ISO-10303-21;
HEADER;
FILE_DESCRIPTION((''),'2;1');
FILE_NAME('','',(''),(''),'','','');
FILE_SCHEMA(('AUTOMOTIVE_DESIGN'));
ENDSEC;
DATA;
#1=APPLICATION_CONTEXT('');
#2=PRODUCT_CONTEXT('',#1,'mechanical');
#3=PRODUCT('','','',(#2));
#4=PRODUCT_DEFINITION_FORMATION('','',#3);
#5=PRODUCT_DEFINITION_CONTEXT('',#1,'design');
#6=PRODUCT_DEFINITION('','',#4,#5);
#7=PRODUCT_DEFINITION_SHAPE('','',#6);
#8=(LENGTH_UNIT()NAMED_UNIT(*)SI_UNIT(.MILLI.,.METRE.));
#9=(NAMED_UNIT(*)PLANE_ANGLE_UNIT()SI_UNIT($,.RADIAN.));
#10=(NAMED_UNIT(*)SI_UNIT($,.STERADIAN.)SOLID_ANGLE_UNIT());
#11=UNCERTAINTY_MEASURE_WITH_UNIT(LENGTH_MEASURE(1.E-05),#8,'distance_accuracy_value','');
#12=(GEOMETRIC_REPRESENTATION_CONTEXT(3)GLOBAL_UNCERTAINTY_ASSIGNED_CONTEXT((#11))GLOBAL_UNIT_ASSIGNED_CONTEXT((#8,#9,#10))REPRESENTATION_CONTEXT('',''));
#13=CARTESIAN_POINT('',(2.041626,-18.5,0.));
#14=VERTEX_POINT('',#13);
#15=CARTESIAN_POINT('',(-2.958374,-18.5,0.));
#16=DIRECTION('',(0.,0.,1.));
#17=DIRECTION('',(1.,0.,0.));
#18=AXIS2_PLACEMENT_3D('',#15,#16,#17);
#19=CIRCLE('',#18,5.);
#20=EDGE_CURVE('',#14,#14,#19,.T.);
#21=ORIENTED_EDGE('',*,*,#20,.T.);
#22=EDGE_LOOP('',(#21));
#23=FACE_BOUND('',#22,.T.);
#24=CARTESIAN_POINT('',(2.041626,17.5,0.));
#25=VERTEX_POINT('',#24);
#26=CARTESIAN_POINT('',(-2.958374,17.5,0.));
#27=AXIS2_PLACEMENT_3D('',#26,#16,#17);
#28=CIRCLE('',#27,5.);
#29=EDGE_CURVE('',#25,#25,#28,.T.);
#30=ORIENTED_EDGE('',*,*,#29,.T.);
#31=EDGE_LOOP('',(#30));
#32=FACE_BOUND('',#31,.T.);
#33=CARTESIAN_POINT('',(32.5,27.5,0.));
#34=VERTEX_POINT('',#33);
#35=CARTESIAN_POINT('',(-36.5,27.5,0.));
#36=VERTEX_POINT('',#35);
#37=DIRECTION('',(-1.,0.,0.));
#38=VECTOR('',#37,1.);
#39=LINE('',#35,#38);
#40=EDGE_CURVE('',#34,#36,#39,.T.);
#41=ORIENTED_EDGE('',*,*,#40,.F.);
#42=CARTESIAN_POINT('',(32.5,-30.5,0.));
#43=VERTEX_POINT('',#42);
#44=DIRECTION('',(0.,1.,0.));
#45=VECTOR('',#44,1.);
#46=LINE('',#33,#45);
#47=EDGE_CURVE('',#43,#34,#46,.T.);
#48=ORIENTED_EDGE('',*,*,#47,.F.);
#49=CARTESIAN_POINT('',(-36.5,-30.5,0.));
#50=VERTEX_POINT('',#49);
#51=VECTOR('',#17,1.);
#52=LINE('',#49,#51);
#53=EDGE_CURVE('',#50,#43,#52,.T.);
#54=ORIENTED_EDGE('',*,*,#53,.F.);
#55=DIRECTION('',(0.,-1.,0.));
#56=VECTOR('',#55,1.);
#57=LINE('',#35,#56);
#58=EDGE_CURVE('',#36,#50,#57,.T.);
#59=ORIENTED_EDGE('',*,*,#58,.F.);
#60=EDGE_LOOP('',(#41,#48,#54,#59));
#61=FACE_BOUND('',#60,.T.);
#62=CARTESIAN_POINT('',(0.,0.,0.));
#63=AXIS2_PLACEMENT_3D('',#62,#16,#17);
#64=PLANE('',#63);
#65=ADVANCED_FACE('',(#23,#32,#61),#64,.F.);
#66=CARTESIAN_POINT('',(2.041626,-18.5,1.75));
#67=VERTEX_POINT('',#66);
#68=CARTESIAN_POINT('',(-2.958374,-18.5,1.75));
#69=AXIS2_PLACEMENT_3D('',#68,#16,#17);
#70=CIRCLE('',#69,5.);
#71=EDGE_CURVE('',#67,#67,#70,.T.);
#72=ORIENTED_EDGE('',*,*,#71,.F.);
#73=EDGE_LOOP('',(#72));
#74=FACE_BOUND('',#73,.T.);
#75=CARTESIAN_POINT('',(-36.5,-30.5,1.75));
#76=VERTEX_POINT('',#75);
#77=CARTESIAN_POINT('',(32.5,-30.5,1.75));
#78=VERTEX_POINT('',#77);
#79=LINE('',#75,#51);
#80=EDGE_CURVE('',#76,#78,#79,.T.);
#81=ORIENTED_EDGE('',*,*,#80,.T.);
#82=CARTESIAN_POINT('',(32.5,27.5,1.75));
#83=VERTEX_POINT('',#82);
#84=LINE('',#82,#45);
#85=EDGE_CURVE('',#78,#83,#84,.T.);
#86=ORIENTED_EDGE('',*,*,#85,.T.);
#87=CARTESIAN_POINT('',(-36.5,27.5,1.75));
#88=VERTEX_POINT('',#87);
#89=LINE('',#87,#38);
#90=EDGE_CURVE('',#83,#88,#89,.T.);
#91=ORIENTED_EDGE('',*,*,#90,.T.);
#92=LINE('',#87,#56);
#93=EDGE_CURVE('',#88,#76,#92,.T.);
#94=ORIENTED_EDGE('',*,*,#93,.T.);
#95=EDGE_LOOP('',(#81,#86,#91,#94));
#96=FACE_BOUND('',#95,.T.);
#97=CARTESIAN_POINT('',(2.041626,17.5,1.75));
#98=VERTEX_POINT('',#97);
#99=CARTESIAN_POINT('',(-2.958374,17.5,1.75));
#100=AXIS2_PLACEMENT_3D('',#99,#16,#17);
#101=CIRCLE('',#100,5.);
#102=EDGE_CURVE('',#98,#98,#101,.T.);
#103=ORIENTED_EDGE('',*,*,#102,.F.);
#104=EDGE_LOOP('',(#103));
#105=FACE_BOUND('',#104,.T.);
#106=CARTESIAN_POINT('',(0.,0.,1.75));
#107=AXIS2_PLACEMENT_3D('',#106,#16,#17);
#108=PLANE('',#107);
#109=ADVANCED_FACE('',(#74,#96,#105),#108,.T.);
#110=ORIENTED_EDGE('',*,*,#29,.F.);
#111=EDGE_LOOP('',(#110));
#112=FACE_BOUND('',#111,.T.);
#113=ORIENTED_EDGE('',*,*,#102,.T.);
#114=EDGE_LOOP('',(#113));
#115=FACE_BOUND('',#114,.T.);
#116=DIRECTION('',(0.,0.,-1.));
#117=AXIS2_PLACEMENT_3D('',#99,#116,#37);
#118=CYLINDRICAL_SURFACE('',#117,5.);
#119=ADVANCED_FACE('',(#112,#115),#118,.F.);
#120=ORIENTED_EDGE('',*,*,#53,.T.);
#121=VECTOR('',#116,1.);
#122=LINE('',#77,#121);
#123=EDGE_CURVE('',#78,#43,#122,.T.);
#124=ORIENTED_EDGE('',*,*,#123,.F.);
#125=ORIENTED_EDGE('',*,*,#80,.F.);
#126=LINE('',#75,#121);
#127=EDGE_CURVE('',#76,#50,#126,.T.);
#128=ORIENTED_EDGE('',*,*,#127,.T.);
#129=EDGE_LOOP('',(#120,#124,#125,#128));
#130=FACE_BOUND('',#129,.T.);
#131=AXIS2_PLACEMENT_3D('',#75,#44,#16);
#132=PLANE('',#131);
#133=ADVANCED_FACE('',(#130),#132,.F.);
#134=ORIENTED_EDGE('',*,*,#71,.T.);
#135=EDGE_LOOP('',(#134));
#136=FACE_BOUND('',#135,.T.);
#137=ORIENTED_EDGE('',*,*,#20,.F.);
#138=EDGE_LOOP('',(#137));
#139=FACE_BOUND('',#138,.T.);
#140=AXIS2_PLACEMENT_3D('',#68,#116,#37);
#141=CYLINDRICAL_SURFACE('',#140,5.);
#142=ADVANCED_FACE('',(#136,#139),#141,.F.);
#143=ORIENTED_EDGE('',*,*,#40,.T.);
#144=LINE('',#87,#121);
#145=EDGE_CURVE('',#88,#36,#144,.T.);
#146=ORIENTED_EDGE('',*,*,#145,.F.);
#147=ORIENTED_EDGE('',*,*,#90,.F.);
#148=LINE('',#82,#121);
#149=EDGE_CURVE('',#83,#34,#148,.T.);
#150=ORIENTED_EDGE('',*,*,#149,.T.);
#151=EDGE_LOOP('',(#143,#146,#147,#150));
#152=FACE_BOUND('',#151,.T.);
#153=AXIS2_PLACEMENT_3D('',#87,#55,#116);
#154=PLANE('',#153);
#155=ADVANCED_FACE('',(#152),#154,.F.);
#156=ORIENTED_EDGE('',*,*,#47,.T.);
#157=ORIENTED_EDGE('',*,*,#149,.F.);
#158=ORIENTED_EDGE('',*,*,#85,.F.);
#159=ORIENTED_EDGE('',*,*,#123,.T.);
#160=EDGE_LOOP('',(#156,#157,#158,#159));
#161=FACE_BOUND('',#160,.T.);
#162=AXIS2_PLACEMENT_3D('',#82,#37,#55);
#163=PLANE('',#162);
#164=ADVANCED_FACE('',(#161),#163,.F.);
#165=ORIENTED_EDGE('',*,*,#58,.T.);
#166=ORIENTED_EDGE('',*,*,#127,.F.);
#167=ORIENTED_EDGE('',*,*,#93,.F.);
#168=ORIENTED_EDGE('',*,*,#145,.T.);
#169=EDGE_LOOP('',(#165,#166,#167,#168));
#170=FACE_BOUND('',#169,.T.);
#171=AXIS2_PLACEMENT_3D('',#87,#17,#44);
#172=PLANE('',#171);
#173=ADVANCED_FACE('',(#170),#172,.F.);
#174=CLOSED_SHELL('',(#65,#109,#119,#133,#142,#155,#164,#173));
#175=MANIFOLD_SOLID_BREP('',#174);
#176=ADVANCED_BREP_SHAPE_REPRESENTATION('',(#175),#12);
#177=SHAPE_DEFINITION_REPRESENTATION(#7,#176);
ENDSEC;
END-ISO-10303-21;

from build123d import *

# Parameters (mm, degrees)
SKETCH1_W           = 69
SKETCH1_H           = 58
SKETCH1_R           = 5
BOSS_EXTRUDE1_DEPTH = 1.75


with BuildPart() as part:
    # Sketch1 → Boss-Extrude1 (new body)
    with BuildSketch(Plane.XY):
        with Locations((-2, -1.5)):
            Rectangle(SKETCH1_W, SKETCH1_H)
        with Locations((-2.958373584, 17.5)):
            Circle(SKETCH1_R, mode=Mode.SUBTRACT)
        with Locations((-2.958373584, -18.5)):
            Circle(SKETCH1_R, mode=Mode.SUBTRACT)
    extrude(amount=BOSS_EXTRUDE1_DEPTH)


solid = part.part
